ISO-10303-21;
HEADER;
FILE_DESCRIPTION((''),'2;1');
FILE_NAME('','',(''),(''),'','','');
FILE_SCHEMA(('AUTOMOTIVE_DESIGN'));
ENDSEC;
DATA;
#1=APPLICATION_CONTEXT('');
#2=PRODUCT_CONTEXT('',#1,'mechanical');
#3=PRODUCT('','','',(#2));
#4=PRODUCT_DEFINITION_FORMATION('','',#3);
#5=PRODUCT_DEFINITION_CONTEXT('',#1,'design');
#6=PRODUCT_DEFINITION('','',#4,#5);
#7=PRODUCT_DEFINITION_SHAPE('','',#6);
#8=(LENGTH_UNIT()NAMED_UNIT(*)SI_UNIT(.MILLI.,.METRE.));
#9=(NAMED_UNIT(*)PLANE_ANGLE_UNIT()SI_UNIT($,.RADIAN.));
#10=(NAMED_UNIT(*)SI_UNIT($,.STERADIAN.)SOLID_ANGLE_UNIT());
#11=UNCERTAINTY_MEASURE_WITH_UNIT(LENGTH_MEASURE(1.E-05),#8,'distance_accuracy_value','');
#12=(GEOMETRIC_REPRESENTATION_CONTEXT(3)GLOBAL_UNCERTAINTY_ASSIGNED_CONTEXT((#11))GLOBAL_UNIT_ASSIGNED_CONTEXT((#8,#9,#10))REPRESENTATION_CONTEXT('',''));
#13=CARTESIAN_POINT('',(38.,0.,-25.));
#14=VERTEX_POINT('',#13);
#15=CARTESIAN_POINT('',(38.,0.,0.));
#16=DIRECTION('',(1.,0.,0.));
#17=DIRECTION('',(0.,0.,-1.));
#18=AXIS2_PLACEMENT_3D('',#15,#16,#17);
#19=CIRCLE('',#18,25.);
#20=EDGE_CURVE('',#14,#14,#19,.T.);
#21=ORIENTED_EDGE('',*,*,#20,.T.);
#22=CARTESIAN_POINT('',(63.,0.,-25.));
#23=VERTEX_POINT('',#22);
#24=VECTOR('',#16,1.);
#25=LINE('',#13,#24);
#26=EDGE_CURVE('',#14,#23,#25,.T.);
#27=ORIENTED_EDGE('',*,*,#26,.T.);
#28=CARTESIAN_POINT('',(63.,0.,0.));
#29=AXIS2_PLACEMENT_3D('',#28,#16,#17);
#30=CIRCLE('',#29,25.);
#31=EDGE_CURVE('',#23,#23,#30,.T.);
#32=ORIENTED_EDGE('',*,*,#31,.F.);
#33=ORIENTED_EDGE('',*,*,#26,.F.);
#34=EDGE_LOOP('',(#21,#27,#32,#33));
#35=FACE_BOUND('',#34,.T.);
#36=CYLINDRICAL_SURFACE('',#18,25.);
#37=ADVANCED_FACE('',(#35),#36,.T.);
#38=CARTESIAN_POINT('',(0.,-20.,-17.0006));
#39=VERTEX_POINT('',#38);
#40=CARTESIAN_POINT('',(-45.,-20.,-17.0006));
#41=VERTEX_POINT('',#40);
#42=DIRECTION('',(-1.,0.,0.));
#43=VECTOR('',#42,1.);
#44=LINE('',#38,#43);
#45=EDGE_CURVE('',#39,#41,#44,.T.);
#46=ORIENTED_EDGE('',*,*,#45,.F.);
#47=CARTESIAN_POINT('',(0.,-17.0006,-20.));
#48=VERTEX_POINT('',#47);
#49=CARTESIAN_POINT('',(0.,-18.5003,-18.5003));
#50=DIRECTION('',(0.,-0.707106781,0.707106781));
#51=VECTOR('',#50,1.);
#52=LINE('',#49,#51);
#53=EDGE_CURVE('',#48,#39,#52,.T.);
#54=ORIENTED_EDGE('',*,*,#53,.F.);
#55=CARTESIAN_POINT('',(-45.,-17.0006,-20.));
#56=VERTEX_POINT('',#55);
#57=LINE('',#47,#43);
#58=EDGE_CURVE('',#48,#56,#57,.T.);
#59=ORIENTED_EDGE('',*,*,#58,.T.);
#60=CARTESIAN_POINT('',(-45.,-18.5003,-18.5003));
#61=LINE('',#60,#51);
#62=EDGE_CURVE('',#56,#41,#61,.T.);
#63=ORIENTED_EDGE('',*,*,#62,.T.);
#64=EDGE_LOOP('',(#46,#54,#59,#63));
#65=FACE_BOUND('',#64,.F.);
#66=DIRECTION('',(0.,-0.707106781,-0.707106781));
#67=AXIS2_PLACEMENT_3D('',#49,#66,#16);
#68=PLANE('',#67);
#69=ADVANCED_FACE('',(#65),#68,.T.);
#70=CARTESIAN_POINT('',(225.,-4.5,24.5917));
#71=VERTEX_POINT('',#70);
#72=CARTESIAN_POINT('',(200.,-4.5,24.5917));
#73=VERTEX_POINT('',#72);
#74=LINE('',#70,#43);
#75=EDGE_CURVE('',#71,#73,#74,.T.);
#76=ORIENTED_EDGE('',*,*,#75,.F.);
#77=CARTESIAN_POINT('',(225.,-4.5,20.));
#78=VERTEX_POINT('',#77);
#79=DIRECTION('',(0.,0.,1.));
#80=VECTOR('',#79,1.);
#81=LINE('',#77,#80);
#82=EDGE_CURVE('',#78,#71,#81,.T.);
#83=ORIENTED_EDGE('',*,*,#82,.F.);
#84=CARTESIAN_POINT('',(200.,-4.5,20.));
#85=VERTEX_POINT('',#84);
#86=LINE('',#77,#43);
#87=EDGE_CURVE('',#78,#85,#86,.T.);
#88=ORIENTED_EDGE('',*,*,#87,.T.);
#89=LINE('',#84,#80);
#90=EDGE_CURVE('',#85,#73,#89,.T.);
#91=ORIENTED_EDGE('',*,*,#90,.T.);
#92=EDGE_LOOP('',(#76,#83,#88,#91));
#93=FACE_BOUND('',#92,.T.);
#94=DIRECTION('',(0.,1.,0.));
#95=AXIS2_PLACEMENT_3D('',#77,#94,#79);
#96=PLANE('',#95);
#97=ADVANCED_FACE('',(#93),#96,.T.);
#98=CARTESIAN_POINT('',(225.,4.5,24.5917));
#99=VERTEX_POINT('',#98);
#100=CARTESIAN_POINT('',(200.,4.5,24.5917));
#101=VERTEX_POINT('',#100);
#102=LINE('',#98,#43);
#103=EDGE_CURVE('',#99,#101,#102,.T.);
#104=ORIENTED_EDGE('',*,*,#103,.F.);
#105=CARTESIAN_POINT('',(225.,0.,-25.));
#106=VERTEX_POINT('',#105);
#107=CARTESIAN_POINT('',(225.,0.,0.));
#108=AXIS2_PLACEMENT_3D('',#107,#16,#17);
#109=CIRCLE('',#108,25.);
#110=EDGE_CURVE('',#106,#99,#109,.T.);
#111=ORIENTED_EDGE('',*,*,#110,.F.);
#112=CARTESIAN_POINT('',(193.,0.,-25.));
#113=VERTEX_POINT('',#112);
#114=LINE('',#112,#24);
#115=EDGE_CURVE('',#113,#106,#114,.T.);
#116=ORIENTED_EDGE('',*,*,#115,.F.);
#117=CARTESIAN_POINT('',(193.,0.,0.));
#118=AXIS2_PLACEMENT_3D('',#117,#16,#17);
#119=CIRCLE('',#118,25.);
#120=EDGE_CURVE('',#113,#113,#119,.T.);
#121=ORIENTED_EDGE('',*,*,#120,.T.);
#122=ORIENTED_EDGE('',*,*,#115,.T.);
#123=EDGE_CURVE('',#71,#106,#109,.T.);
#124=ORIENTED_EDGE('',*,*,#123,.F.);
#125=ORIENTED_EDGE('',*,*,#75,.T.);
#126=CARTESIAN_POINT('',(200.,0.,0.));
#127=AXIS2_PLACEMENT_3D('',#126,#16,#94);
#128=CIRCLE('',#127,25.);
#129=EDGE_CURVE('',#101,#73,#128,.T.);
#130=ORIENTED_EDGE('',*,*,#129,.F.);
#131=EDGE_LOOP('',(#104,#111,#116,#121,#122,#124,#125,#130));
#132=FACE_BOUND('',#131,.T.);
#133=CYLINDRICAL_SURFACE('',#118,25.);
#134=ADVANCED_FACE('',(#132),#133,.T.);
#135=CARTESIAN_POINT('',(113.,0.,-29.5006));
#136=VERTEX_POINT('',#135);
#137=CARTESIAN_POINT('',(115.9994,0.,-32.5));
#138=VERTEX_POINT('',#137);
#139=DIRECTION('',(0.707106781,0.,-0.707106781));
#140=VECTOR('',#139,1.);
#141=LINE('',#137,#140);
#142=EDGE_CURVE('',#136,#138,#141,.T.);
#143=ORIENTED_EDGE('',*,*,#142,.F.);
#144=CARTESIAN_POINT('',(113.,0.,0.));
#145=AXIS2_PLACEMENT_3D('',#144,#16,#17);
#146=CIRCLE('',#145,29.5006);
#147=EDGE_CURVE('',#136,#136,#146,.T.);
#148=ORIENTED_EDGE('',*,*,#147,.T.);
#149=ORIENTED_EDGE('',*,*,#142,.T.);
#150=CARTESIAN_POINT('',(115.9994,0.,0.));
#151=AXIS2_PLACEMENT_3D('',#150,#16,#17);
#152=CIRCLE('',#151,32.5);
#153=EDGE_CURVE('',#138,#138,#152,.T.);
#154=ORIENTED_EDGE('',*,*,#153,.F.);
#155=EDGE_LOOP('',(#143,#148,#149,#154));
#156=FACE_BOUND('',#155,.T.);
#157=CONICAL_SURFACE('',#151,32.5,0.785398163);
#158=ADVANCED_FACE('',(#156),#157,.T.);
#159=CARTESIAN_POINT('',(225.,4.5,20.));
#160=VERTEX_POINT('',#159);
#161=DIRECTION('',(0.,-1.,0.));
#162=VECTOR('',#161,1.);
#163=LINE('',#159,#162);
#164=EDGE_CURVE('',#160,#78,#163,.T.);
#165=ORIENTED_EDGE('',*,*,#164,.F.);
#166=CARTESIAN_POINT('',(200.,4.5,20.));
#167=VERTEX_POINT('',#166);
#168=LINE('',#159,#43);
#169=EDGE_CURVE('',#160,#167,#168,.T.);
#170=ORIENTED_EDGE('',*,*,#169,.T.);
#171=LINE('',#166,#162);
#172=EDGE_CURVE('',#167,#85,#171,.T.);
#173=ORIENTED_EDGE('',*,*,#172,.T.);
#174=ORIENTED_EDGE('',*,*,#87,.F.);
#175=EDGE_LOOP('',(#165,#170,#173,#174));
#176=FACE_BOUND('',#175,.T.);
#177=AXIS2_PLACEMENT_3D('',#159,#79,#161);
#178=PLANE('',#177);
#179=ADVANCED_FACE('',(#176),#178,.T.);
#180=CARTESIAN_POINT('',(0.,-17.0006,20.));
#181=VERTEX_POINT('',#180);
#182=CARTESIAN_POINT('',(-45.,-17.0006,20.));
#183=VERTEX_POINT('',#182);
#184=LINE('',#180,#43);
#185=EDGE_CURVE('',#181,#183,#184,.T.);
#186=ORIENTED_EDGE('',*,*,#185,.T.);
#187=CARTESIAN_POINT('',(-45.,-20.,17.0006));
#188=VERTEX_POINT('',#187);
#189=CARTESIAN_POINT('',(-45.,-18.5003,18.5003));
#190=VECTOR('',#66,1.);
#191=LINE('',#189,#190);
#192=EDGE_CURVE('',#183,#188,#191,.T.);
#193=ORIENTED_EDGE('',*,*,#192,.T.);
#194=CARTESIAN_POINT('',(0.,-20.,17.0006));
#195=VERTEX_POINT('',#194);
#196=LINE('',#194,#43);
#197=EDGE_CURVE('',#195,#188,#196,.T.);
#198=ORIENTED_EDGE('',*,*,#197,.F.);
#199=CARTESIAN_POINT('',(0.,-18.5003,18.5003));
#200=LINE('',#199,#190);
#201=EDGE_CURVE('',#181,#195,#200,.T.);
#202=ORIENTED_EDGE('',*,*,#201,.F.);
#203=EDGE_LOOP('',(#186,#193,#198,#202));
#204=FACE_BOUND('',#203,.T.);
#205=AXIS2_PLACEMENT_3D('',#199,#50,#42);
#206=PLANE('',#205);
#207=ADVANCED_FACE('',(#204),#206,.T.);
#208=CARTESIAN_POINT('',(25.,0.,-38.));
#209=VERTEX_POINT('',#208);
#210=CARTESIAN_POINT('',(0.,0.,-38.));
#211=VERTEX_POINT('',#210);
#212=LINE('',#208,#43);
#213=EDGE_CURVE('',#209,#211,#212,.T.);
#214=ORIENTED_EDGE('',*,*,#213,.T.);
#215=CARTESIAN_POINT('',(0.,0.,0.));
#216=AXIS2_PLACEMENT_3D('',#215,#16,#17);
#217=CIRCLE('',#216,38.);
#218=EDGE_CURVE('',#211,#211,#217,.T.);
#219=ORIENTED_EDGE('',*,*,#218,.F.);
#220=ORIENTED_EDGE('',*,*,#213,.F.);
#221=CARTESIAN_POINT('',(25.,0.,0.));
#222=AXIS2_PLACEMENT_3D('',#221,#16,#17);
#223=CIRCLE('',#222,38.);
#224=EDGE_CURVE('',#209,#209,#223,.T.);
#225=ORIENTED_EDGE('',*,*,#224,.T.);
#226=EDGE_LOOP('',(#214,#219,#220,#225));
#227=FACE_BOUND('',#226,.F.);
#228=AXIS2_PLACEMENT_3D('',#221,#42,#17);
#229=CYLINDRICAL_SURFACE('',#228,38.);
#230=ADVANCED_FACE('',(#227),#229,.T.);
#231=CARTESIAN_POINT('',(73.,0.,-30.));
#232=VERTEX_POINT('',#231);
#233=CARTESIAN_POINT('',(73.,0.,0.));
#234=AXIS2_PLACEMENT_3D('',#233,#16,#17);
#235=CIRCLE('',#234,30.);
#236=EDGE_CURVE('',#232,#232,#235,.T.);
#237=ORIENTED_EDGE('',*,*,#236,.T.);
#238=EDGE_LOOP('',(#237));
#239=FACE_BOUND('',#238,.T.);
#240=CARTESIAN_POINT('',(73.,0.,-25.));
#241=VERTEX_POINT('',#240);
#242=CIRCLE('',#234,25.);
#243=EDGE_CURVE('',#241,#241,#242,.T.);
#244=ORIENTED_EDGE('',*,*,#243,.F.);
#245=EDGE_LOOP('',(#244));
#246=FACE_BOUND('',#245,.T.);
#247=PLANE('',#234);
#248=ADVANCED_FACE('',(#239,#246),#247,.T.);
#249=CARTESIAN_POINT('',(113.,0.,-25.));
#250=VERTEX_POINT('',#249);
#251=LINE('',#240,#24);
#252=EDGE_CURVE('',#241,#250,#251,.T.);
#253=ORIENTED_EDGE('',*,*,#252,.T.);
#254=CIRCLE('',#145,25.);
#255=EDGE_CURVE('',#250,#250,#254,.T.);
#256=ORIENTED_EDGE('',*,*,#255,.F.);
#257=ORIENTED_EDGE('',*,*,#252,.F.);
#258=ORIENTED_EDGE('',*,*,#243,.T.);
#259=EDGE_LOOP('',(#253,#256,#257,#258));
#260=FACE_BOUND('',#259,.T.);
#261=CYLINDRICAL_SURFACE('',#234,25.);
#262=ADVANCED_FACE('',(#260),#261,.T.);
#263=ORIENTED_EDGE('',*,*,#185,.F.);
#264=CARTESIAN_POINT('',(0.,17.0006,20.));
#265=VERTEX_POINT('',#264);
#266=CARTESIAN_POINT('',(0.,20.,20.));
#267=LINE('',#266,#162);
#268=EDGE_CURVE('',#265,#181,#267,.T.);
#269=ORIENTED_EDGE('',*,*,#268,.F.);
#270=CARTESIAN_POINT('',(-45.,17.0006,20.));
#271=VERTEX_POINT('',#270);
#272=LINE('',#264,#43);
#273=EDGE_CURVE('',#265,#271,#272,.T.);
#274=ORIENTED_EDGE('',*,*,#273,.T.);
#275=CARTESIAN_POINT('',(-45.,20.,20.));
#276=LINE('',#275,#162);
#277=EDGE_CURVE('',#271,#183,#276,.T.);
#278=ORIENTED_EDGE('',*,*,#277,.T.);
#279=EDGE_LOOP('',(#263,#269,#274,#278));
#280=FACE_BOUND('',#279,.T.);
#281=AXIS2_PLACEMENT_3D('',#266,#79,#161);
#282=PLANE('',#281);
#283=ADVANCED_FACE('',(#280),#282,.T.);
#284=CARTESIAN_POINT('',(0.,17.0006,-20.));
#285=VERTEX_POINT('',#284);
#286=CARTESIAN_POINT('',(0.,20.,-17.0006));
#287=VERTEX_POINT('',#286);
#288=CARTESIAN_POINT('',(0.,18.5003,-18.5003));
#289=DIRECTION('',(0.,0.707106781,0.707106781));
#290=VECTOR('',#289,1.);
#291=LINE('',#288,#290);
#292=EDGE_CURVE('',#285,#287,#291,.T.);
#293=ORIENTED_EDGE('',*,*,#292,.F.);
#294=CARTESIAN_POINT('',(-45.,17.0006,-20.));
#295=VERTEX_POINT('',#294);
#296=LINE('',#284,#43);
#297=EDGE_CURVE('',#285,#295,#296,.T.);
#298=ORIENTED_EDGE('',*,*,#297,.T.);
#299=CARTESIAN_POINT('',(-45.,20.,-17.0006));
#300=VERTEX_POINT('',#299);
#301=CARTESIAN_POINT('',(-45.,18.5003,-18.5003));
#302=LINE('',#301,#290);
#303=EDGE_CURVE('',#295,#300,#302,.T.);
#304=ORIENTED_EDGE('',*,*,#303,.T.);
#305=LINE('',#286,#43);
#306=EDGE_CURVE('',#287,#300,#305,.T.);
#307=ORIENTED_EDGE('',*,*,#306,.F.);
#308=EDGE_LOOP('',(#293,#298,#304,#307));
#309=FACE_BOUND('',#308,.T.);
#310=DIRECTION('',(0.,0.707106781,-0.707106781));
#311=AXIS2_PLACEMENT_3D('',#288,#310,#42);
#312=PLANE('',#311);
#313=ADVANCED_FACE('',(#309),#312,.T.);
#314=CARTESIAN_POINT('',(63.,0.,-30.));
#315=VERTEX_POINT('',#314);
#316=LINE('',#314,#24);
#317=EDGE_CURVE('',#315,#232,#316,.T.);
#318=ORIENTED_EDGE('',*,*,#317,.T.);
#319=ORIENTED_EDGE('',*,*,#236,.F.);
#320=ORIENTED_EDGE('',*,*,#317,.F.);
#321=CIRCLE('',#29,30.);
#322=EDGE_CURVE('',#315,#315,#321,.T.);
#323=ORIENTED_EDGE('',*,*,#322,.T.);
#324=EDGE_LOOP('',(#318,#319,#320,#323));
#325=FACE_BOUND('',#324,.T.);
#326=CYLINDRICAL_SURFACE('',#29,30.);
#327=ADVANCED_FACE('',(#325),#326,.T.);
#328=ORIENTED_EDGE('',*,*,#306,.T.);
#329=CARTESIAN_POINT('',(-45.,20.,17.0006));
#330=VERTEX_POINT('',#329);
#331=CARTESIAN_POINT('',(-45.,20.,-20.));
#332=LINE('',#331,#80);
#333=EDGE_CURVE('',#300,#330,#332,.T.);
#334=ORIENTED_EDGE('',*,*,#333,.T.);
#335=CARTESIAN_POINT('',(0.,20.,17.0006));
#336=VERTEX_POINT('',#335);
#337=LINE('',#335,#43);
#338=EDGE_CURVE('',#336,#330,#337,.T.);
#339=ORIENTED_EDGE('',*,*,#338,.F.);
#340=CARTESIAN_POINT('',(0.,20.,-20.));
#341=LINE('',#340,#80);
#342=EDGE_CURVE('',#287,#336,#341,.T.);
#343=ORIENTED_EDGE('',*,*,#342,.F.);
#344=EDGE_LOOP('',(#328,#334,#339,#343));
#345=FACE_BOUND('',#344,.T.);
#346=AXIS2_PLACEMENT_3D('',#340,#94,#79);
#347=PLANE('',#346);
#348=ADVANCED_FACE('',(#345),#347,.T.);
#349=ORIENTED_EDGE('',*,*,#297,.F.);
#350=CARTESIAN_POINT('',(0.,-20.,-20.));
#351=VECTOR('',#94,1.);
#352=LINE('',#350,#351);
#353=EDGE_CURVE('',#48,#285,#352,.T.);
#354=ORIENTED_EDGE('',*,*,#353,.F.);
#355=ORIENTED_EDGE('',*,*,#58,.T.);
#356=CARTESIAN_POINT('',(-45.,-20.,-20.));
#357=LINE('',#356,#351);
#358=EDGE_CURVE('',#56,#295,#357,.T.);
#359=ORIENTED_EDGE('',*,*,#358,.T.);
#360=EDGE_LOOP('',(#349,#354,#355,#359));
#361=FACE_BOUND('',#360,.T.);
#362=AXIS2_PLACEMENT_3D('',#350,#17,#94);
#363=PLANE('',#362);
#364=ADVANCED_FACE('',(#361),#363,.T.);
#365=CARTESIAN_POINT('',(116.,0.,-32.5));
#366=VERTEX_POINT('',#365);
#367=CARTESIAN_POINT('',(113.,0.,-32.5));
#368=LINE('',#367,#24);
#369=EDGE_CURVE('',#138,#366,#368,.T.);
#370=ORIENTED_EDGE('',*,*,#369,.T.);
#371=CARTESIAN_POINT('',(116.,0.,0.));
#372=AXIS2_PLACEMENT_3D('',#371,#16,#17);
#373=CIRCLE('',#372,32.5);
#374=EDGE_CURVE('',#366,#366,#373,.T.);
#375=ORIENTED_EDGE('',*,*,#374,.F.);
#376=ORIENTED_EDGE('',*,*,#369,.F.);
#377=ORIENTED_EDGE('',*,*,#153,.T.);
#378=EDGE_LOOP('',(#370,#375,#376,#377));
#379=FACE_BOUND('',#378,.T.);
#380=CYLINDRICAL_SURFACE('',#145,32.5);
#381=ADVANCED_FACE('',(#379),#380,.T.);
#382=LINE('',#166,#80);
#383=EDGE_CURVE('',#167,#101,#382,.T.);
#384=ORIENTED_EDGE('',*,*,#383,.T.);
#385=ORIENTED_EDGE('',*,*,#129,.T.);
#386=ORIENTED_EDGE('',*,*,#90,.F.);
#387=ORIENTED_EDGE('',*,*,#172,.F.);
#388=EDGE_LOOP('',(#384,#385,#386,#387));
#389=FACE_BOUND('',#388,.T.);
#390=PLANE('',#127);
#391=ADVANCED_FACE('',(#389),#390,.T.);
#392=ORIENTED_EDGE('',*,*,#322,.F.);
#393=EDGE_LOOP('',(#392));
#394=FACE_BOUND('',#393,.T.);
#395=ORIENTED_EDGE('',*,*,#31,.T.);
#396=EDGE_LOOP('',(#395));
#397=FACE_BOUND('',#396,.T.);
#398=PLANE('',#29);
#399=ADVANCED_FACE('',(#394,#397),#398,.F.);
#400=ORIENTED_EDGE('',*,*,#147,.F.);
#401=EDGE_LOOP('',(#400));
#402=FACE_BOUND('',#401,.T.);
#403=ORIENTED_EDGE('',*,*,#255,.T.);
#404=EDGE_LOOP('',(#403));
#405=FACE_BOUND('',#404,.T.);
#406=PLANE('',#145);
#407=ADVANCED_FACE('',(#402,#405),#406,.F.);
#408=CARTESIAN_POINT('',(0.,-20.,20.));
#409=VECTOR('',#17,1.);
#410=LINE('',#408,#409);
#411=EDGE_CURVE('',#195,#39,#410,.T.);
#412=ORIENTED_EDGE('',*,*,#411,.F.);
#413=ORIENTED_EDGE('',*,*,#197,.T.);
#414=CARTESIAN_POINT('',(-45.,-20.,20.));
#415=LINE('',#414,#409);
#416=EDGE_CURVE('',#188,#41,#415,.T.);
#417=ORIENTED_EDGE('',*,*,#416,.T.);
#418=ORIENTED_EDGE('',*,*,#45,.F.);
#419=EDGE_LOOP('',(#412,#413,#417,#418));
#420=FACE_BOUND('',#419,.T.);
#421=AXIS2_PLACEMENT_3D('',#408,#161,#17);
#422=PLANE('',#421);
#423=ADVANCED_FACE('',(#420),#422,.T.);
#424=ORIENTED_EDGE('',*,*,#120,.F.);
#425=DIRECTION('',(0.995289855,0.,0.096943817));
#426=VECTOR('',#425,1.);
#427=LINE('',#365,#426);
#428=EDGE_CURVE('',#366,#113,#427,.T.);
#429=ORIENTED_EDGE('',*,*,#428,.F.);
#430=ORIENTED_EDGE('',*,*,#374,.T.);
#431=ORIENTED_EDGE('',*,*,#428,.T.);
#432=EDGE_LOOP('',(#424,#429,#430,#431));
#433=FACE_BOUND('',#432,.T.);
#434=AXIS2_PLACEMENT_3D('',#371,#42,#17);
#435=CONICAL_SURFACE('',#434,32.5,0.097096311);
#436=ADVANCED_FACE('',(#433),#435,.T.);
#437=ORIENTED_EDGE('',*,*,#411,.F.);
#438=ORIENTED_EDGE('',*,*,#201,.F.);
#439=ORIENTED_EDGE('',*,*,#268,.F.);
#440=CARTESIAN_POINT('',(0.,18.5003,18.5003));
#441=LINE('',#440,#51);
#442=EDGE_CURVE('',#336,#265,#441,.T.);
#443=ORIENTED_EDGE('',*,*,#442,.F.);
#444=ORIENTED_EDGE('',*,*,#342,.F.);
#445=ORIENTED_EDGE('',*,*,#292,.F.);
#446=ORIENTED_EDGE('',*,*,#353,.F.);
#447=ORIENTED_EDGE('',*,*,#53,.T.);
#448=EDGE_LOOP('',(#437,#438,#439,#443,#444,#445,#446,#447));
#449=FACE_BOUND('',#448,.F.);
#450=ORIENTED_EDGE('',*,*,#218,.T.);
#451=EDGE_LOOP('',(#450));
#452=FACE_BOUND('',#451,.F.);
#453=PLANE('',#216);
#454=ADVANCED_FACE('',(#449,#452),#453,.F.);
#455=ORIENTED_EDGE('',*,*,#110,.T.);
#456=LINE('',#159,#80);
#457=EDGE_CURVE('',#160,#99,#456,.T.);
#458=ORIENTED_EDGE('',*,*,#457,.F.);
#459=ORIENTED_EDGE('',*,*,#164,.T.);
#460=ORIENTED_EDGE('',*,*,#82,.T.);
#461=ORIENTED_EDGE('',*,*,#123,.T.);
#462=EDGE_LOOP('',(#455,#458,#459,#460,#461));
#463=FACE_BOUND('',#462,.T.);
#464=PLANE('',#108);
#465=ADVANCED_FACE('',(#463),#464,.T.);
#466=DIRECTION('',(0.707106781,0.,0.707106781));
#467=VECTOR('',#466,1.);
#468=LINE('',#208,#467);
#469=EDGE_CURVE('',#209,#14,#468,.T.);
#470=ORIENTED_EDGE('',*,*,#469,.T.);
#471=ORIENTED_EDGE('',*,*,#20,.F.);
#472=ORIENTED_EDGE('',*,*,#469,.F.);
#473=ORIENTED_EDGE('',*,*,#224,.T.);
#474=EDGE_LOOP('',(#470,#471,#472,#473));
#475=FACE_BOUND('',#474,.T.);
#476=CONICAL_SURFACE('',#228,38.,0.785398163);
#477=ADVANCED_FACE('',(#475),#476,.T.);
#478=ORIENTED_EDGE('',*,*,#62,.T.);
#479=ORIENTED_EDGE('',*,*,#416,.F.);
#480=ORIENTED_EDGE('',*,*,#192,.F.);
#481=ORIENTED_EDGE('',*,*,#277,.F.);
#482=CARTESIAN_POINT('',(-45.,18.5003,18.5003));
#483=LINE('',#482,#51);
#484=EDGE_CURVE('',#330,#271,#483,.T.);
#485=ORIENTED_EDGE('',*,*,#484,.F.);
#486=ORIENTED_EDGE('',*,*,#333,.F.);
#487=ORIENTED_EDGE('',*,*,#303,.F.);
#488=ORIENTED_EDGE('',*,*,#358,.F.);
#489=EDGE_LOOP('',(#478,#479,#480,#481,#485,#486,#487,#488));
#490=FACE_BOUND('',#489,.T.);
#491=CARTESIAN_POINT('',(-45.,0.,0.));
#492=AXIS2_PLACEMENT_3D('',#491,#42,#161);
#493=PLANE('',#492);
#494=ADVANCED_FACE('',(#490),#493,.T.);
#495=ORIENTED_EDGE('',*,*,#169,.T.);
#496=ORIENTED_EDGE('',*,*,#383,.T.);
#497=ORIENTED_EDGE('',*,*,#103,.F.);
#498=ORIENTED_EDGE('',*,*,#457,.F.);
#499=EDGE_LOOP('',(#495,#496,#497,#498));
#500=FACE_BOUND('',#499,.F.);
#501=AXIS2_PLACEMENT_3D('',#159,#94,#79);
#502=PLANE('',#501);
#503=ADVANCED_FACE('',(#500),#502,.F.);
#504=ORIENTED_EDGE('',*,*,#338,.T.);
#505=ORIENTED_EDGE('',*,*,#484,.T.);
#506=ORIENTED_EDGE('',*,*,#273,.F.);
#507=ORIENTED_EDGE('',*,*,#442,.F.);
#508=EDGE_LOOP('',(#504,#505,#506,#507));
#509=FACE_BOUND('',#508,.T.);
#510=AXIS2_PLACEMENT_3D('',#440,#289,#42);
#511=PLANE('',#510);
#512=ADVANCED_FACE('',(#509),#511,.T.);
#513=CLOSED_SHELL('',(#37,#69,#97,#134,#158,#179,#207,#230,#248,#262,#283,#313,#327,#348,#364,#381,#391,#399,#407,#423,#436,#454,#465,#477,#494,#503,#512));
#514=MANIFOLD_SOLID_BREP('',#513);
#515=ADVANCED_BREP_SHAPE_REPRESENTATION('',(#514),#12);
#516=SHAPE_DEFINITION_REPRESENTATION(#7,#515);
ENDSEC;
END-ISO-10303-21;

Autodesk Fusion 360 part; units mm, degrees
sketch "Sketch1" plane through (0, 0, 0) normal (0, 1, 0) x (1, 0, 0) in component "Shaft"
  line L0 (0, 0) -> (25, 0)
  line L1 (25, 38) -> (0, 38)
  line L2 (0, 38) -> (0, 0)
  line L3 (25, 38) -> (38, 25)
  line L4 (38, 25) -> (63, 25)
  line L5 (63, 25) -> (63, 30)
  line L6 (63, 30) -> (73, 30)
  line L7 (73, 30) -> (73, 25)
  line L8 (73, 25) -> (113, 25)
  line L9 (113, 25) -> (113, 32.5)
  line L10 (113, 32.5) -> (116, 32.5)
  line L11 (0, 0) -> (193, 0)
  line L12 (116, 32.5) -> (193, 25)
  line L13 (193, 25) -> (225, 25)
  line L14 (225, 25) -> (225, 0)
  line L15 (225, 0) -> (193, 0)
  dimension "d2" = 25
  dimension "d3" = 38
  dimension "d8" = 25
  dimension "d9" = 5
  dimension "d10" = 10
  dimension "d11" = 5
  dimension "d12" = 13
  dimension "d13" = 40
  dimension "d15" = 3
  dimension "d17" = 25
  dimension "d18" = 32
revolve "Revolve1" add sketch "Sketch1" angle 360 about axis through (0, 0, 0) along (1, 0, 0) in component "Shaft"
sketch "Sketch2" plane through (0, 0, 0) normal (-1, 0, 0) x (0, -1, 0) in component "Shaft"
  circle A0 centre (0, 0) radius 38
  line L0 (20, -20) -> (-20, -20)
  line L1 (-20, -20) -> (-20, 20)
  line L2 (-20, 20) -> (20, 20)
  line L3 (20, 20) -> (20, -20)
  line L4 (20, -20) -> (-20, 20) construction
  line L5 (-20, -20) -> (20, 20) construction
  dimension "d20" = 40
  dimension "d21" = 40
extrude "Extrude1" add sketch "Sketch2" along normal blind 45 contours L0 L1 L2 L3 in component "Shaft"
sketch "Sketch3" plane through (225, 0, 0) normal (1, 0, 0) x (0, 1, 0) in component "Shaft"
  circle A0 centre (0, 0) radius 25
  circle A1 centre (0, 0) radius 25
  line L0 (4.5, 20) -> (-4.5, 20)
  arc A2 (4.5, 24.5917) -> (-4.5, 24.5917) centre (0, 0) ccw
  line L1 (4.5, 20) -> (4.5, 24.5917)
  line L2 (-4.5, 20) -> (-4.5, 24.5917)
extrude "Extrude2" cut sketch "Sketch3" against normal blind 25 contours A0 A1 L0 A2 L1 L2 in component "Shaft"
chamfer "Chamfer1" distance 3 angle 45 5 edges at (-22.5, -20, 20) (-22.5, 20, 20) (-22.5, -20, -20) (-22.5, 20, -20) (113, -11.7525, 30.3006) in component "Shaft"
component "Shaft" placed x (1, 0, 0) y (0, 1, 0) z (0, 0, 1) at (0, 0, 0)
